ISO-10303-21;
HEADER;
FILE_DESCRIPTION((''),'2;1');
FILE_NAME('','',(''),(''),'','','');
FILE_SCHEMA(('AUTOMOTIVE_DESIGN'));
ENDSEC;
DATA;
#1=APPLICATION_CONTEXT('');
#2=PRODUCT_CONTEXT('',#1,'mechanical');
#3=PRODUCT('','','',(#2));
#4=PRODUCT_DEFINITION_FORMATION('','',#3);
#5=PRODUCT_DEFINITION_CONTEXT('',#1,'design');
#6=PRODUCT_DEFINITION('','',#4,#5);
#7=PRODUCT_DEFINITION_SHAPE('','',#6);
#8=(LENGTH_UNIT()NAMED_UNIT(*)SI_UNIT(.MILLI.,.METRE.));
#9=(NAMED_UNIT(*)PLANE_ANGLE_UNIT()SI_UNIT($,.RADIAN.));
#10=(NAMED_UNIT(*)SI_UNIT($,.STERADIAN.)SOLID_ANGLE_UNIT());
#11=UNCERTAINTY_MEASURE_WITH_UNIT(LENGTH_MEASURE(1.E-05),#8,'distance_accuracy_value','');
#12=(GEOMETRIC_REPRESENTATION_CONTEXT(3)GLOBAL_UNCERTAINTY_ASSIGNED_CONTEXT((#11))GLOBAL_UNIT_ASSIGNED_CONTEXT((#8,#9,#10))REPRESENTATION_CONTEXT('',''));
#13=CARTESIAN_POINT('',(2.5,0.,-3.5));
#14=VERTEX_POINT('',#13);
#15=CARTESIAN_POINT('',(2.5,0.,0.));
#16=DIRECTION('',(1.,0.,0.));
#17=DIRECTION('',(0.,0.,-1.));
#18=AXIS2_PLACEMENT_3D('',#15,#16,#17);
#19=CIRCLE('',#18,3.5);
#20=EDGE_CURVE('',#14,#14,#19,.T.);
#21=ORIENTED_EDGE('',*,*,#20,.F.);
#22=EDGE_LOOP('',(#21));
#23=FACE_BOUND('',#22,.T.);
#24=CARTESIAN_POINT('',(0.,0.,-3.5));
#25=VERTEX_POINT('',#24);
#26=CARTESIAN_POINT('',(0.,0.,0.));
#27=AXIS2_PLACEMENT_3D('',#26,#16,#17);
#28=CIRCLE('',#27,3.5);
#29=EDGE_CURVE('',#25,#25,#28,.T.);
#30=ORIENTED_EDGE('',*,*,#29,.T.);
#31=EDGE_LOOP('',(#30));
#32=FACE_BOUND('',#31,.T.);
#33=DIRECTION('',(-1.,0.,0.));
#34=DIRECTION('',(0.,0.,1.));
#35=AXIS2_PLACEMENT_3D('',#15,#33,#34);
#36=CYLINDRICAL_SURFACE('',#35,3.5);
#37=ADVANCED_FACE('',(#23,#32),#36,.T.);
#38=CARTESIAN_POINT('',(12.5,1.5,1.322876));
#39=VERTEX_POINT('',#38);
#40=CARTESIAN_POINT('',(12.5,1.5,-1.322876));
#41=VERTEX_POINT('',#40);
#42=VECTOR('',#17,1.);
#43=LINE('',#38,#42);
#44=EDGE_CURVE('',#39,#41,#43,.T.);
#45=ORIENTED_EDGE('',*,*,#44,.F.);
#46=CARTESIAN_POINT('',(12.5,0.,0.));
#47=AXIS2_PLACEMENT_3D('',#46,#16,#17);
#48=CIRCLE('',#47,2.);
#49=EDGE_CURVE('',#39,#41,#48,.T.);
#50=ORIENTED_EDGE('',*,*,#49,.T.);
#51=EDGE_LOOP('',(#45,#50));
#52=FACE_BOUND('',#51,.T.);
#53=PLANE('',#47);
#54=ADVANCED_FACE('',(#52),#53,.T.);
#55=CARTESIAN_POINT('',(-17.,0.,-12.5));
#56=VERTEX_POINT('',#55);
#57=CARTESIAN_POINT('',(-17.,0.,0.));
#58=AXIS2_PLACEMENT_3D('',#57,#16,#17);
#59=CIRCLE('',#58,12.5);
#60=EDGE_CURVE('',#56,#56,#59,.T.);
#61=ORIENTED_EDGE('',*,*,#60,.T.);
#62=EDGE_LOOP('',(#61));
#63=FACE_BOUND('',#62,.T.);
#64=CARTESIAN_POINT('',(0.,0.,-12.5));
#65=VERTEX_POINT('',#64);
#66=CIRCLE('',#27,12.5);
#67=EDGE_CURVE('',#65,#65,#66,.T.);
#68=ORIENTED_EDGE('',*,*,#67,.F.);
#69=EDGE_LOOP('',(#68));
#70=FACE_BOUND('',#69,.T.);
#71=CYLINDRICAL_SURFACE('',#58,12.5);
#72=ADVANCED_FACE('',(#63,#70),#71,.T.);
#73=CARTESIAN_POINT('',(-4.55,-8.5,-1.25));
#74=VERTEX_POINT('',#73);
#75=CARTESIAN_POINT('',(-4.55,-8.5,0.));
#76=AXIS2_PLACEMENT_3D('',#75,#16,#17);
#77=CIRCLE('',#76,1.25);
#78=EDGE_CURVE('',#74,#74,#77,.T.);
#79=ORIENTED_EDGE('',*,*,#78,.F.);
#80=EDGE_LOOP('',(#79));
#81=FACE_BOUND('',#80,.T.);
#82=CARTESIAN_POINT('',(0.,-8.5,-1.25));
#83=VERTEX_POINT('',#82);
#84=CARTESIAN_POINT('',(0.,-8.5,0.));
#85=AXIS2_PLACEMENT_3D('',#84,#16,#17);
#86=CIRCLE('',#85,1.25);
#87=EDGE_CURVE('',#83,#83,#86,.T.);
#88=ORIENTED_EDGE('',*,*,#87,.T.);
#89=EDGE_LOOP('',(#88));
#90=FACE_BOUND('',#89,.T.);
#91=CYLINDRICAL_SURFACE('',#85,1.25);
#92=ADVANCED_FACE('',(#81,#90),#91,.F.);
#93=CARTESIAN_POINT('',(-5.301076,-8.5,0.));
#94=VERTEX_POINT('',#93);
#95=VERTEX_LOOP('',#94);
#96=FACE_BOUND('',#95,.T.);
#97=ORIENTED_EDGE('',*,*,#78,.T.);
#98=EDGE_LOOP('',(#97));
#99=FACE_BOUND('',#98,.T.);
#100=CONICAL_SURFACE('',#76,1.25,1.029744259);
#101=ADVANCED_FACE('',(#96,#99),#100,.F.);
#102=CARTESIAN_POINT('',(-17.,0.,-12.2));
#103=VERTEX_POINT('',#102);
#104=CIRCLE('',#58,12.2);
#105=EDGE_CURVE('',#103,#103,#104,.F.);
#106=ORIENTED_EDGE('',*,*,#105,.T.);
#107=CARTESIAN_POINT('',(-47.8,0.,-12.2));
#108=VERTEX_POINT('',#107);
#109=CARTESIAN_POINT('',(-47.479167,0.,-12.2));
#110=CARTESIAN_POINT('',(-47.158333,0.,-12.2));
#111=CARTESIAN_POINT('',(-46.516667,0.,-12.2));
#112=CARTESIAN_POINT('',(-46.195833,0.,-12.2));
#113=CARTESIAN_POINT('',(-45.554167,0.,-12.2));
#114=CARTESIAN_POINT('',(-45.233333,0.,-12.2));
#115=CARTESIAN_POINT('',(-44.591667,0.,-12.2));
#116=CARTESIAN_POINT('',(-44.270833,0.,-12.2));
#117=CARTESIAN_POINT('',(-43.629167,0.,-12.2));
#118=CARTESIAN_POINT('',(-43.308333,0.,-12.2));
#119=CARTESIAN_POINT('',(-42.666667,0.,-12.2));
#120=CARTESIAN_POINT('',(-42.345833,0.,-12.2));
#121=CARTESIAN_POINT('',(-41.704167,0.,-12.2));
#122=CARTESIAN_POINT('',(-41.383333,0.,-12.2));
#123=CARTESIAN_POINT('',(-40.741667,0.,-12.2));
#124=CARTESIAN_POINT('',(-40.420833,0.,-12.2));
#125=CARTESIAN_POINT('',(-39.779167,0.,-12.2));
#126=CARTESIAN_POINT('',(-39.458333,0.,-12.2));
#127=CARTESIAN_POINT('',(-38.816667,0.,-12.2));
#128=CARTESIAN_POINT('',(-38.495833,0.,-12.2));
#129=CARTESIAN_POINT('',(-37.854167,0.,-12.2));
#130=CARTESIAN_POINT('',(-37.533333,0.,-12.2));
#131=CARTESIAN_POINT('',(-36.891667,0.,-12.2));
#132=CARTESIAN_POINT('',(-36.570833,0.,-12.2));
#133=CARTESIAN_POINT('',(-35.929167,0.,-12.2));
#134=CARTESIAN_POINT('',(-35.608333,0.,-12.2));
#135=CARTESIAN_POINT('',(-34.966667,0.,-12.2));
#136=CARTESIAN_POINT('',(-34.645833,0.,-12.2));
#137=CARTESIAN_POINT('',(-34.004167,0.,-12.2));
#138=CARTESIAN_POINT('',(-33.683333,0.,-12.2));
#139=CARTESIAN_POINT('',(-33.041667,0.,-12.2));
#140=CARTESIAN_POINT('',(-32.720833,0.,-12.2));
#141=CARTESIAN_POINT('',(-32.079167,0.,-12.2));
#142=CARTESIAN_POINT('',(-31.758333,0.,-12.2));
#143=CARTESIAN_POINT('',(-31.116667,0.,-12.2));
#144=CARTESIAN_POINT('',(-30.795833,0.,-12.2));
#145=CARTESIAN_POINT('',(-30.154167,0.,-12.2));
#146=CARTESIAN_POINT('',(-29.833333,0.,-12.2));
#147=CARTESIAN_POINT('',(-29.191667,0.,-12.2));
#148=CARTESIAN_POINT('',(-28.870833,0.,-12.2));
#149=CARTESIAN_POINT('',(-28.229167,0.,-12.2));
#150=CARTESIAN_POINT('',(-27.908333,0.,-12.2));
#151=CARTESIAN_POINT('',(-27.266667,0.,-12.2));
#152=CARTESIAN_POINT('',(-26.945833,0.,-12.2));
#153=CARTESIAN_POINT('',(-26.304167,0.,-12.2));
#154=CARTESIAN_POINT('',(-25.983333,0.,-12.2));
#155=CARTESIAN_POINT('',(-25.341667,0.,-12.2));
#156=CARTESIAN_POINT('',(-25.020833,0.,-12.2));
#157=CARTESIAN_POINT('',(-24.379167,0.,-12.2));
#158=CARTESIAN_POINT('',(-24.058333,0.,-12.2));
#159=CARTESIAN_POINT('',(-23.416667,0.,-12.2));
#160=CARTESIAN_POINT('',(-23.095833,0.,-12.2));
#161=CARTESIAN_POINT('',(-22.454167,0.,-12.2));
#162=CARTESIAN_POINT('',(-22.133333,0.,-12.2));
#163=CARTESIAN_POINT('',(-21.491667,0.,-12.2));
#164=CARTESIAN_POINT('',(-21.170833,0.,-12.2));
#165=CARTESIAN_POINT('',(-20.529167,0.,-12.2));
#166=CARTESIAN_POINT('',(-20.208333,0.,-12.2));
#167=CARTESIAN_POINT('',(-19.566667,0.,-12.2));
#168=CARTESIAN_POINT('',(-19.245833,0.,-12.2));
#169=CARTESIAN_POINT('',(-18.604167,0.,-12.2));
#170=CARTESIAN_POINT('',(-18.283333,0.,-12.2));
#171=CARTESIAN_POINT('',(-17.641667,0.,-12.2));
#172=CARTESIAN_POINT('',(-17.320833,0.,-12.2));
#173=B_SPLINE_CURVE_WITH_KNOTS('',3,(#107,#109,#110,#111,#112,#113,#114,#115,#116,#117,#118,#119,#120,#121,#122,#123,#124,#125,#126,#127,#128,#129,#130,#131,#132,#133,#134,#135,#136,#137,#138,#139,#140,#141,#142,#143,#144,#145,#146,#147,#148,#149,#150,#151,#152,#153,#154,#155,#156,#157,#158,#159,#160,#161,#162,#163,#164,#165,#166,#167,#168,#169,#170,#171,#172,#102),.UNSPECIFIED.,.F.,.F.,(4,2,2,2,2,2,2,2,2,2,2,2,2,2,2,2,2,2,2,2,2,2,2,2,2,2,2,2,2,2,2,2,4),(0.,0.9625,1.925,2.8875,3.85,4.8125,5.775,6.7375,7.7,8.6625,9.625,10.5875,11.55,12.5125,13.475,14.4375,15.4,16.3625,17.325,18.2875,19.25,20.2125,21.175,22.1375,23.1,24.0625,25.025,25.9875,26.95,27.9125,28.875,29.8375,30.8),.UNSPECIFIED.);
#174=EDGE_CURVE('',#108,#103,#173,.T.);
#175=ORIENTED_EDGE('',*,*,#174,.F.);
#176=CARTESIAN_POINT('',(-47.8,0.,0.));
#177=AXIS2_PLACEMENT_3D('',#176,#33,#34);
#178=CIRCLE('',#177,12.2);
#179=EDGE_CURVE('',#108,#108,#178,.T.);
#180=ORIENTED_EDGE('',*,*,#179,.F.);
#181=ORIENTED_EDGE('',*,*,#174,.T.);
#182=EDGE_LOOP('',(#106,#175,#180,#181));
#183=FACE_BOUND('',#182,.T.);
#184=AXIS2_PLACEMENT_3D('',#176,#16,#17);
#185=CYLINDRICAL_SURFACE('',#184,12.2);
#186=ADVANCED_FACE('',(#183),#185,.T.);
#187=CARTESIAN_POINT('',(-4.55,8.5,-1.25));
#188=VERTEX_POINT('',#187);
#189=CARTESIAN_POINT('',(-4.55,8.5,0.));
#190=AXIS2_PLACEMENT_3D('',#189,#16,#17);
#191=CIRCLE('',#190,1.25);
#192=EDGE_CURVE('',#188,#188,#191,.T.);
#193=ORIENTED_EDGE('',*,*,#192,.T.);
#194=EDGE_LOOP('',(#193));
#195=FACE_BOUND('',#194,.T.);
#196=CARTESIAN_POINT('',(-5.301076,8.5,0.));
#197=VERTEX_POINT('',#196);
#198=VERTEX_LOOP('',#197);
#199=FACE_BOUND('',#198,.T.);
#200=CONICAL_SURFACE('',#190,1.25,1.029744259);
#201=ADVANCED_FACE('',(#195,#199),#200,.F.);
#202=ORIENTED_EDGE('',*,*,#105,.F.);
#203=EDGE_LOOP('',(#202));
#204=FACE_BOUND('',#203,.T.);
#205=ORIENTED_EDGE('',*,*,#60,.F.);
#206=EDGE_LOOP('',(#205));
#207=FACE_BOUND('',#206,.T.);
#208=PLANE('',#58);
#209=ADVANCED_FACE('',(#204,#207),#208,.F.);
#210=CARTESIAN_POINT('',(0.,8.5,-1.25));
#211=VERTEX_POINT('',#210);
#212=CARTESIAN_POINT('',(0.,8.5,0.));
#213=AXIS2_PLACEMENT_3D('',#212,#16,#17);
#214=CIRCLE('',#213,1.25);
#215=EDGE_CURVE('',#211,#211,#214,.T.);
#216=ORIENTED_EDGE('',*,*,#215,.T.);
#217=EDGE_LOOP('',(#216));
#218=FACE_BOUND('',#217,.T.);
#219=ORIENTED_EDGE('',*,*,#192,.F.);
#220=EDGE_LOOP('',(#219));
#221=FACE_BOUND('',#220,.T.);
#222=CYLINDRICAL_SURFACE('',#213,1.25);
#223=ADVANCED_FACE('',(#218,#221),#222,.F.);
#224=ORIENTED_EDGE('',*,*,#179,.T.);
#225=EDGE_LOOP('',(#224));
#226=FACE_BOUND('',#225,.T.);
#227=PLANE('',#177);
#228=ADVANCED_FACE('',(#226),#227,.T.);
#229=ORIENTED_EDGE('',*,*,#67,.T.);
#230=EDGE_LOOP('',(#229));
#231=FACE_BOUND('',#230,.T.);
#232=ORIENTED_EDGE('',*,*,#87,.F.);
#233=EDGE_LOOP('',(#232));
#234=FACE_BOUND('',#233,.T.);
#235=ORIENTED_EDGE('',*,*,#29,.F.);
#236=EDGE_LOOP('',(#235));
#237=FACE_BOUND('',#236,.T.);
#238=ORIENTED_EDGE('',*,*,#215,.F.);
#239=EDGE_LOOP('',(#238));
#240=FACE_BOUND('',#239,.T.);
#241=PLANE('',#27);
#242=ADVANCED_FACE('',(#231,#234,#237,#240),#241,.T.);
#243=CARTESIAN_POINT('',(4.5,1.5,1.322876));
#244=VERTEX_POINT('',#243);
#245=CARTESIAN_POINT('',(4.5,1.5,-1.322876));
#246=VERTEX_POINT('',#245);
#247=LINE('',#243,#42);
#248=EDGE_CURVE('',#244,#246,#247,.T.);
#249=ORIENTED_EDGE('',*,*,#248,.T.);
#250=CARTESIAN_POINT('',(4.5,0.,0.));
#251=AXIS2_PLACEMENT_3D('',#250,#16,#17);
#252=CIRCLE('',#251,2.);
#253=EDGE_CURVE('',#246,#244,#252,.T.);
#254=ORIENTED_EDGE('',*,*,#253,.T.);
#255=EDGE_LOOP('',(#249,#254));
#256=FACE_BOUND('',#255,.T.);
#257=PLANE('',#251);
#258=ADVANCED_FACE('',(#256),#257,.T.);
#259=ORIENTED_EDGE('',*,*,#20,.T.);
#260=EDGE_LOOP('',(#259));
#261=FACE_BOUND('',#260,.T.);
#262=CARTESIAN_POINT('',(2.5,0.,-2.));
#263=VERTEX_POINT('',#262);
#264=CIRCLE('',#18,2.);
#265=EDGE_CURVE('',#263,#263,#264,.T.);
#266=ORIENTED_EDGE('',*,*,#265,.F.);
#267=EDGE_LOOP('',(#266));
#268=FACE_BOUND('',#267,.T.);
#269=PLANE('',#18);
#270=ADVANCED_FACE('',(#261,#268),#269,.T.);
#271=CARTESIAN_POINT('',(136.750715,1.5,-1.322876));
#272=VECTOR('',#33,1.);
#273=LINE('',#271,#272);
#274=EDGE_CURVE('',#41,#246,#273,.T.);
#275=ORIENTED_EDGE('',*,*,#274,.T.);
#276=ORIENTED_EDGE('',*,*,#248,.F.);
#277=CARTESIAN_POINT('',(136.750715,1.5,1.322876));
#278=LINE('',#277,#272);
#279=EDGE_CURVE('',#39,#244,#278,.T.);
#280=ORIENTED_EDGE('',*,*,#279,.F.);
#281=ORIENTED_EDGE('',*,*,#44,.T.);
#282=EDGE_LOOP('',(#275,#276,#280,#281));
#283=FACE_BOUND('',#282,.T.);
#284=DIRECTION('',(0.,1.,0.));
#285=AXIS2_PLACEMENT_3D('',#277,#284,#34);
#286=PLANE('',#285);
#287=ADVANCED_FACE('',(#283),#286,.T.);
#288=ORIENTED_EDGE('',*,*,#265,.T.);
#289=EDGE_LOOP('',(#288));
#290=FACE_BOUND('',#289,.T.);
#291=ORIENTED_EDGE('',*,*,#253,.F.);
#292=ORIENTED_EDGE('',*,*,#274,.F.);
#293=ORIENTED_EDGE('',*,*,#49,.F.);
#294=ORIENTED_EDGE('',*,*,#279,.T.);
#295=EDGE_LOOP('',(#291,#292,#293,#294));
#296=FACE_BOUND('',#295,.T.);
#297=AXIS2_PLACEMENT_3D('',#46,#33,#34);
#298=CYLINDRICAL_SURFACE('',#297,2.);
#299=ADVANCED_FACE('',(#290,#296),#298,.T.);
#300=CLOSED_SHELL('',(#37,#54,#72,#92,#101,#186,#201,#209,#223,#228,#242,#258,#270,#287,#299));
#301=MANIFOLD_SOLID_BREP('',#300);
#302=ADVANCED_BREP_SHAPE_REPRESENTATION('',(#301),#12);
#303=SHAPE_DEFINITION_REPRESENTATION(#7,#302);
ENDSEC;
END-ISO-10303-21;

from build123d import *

# Parameters (mm, degrees)
SKETCH2_R               = 12.5
BOSS_EXTRUDE1_DEPTH     = 17
SKETCH3_R               = 12.2
BOSS_EXTRUDE2_DEPTH     = 30.8
SKETCH4_R               = 3.5
BOSS_EXTRUDE3_DEPTH     = 2.5
SKETCH5_R               = 2
BOSS_EXTRUDE4_DEPTH     = 10
CUT_EXTRUDE1_DEPTH      = 63.837807091
CUT_EXTRUDE1_DEPTH_BACK = 8
M3_TAPPED_HOLE1_D       = 2.5
M3_TAPPED_HOLE1_DEPTH   = 4.55
M3_TAPPED_HOLE1_TIP     = 0.751075774


with BuildPart() as part:
    # Sketch2 → Boss-Extrude1 (new body)
    with BuildSketch(Plane(origin=(0, 0, 0), x_dir=(0, 0, -1), z_dir=(1, 0, 0))):
        Circle(SKETCH2_R)
    extrude(amount=-BOSS_EXTRUDE1_DEPTH)

    # Sketch3 → Boss-Extrude2 (add)
    with BuildSketch(Plane.ZY.offset(17)):
        with Locations(Location((0, 0, 0), (0, 0, 180))):
            Circle(SKETCH3_R)
    extrude(amount=BOSS_EXTRUDE2_DEPTH)

    # Sketch4 → Boss-Extrude3 (add)
    with BuildSketch(Plane(origin=(0, 0, 0), x_dir=(0, 0, -1), z_dir=(1, 0, 0))):
        Circle(SKETCH4_R)
    extrude(amount=BOSS_EXTRUDE3_DEPTH)

    # Sketch5 → Boss-Extrude4 (add)
    with BuildSketch(Plane(origin=(2.5, 0, 0), x_dir=(0, 0, -1), z_dir=(1, 0, 0))):
        Circle(SKETCH5_R)
    extrude(amount=BOSS_EXTRUDE4_DEPTH)

    # Sketch6 → Cut-Extrude1 (cut, two sides: drawn at the far end of the back side and taken through both)
    with BuildSketch(Plane(origin=(12.5, 0, 0), x_dir=(0, 0, -1), z_dir=(1, 0, 0)).offset(-CUT_EXTRUDE1_DEPTH_BACK)):
        Polygon((-50.671161076, 1.5), (-1.322875656, 1.5), (1.322875656, 1.5), (50.671161076, 1.5), (50.671161076, 100.196570842), (-50.671161076, 100.196570842), align=None)
    extrude(amount=CUT_EXTRUDE1_DEPTH + CUT_EXTRUDE1_DEPTH_BACK, mode=Mode.SUBTRACT)

    # M3 Tapped Hole1
    with Locations(Plane(origin=(0, 0, 0), x_dir=(0, 0, -1), z_dir=(1, 0, 0))):
        with Locations((0, 8.5), (0, -8.5)):
            Hole(M3_TAPPED_HOLE1_D / 2, depth=M3_TAPPED_HOLE1_DEPTH)
            with Locations((0, 0, -(M3_TAPPED_HOLE1_DEPTH + M3_TAPPED_HOLE1_TIP / 2))):  # 118° drill point
                Cone(0, M3_TAPPED_HOLE1_D / 2, M3_TAPPED_HOLE1_TIP, mode=Mode.SUBTRACT)


solid = part.part
